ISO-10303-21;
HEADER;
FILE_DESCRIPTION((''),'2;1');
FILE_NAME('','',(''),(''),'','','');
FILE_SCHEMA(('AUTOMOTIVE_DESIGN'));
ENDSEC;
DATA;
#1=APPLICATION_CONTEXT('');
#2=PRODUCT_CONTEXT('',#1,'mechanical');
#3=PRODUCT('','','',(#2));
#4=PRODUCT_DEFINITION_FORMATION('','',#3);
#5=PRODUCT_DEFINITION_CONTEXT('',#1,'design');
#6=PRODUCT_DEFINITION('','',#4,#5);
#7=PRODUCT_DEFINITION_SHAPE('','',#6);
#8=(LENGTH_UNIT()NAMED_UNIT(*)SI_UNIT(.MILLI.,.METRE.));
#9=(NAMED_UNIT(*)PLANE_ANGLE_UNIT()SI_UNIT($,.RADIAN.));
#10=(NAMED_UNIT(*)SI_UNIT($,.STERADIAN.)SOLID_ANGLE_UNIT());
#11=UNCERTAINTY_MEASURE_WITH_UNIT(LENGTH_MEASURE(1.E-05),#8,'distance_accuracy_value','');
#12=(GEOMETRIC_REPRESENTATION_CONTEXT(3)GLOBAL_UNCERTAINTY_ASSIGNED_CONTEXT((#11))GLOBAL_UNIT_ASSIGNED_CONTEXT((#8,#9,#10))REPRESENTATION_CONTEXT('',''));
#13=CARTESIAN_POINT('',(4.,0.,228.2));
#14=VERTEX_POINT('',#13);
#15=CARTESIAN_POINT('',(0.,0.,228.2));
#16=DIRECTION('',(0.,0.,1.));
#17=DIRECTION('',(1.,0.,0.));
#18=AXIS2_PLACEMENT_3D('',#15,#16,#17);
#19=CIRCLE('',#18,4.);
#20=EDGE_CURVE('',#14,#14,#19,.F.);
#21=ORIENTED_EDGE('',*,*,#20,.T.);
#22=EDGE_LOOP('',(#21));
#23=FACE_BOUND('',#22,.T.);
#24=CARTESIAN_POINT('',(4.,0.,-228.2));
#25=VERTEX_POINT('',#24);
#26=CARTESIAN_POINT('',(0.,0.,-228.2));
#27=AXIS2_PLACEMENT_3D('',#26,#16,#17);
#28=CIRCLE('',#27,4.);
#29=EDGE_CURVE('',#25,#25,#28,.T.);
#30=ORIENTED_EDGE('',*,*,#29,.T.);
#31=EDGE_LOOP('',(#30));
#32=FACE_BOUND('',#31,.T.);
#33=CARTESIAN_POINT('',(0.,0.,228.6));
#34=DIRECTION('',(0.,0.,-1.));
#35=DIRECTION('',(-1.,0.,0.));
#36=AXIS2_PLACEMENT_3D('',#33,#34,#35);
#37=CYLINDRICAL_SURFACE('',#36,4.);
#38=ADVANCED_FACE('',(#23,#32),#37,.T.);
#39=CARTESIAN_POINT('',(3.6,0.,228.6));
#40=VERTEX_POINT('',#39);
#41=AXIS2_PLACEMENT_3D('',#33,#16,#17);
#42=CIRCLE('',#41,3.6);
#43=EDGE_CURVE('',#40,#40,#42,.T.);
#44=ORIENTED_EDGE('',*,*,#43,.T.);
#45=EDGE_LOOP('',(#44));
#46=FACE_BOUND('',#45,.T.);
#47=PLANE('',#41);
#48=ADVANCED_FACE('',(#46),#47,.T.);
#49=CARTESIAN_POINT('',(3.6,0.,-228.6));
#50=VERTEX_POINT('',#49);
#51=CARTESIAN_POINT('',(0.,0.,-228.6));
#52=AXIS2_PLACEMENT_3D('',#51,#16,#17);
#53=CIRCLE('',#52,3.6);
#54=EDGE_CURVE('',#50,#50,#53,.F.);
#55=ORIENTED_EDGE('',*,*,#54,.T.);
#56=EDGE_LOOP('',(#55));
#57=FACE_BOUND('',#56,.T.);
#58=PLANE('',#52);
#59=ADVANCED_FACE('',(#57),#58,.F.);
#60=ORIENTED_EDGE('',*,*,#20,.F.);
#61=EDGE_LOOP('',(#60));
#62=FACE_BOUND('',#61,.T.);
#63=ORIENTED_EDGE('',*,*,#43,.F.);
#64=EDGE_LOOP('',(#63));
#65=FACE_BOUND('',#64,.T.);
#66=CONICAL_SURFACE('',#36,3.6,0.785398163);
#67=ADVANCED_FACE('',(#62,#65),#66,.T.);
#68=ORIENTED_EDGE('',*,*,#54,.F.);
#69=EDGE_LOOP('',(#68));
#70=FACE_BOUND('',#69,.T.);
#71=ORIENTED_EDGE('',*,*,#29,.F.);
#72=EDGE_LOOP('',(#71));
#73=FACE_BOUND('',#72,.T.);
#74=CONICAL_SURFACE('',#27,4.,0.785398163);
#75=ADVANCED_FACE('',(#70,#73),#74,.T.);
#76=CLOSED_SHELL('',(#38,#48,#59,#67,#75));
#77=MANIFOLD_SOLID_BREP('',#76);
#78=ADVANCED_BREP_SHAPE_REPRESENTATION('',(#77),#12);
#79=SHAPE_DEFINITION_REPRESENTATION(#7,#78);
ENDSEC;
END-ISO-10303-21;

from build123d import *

# Parameters (mm, degrees)
SKETCH1_R      = 4
EXTRUDE1_DEPTH = 228.6
CHAMFER1_SIZE  = 0.4


with BuildPart() as part:
    # Sketch1 → Extrude1 (new body, symmetric)
    with BuildSketch(Plane.XY):
        Circle(SKETCH1_R)
    extrude(amount=EXTRUDE1_DEPTH, both=True)

    # Chamfer1
    chamfer1_edges = [part.edges().sort_by_distance(p)[0] for p in [
        (-4, 0, -228.6),
        (-4, 0, 228.6),
    ]]
    chamfer(chamfer1_edges, length=CHAMFER1_SIZE)


solid = part.part
